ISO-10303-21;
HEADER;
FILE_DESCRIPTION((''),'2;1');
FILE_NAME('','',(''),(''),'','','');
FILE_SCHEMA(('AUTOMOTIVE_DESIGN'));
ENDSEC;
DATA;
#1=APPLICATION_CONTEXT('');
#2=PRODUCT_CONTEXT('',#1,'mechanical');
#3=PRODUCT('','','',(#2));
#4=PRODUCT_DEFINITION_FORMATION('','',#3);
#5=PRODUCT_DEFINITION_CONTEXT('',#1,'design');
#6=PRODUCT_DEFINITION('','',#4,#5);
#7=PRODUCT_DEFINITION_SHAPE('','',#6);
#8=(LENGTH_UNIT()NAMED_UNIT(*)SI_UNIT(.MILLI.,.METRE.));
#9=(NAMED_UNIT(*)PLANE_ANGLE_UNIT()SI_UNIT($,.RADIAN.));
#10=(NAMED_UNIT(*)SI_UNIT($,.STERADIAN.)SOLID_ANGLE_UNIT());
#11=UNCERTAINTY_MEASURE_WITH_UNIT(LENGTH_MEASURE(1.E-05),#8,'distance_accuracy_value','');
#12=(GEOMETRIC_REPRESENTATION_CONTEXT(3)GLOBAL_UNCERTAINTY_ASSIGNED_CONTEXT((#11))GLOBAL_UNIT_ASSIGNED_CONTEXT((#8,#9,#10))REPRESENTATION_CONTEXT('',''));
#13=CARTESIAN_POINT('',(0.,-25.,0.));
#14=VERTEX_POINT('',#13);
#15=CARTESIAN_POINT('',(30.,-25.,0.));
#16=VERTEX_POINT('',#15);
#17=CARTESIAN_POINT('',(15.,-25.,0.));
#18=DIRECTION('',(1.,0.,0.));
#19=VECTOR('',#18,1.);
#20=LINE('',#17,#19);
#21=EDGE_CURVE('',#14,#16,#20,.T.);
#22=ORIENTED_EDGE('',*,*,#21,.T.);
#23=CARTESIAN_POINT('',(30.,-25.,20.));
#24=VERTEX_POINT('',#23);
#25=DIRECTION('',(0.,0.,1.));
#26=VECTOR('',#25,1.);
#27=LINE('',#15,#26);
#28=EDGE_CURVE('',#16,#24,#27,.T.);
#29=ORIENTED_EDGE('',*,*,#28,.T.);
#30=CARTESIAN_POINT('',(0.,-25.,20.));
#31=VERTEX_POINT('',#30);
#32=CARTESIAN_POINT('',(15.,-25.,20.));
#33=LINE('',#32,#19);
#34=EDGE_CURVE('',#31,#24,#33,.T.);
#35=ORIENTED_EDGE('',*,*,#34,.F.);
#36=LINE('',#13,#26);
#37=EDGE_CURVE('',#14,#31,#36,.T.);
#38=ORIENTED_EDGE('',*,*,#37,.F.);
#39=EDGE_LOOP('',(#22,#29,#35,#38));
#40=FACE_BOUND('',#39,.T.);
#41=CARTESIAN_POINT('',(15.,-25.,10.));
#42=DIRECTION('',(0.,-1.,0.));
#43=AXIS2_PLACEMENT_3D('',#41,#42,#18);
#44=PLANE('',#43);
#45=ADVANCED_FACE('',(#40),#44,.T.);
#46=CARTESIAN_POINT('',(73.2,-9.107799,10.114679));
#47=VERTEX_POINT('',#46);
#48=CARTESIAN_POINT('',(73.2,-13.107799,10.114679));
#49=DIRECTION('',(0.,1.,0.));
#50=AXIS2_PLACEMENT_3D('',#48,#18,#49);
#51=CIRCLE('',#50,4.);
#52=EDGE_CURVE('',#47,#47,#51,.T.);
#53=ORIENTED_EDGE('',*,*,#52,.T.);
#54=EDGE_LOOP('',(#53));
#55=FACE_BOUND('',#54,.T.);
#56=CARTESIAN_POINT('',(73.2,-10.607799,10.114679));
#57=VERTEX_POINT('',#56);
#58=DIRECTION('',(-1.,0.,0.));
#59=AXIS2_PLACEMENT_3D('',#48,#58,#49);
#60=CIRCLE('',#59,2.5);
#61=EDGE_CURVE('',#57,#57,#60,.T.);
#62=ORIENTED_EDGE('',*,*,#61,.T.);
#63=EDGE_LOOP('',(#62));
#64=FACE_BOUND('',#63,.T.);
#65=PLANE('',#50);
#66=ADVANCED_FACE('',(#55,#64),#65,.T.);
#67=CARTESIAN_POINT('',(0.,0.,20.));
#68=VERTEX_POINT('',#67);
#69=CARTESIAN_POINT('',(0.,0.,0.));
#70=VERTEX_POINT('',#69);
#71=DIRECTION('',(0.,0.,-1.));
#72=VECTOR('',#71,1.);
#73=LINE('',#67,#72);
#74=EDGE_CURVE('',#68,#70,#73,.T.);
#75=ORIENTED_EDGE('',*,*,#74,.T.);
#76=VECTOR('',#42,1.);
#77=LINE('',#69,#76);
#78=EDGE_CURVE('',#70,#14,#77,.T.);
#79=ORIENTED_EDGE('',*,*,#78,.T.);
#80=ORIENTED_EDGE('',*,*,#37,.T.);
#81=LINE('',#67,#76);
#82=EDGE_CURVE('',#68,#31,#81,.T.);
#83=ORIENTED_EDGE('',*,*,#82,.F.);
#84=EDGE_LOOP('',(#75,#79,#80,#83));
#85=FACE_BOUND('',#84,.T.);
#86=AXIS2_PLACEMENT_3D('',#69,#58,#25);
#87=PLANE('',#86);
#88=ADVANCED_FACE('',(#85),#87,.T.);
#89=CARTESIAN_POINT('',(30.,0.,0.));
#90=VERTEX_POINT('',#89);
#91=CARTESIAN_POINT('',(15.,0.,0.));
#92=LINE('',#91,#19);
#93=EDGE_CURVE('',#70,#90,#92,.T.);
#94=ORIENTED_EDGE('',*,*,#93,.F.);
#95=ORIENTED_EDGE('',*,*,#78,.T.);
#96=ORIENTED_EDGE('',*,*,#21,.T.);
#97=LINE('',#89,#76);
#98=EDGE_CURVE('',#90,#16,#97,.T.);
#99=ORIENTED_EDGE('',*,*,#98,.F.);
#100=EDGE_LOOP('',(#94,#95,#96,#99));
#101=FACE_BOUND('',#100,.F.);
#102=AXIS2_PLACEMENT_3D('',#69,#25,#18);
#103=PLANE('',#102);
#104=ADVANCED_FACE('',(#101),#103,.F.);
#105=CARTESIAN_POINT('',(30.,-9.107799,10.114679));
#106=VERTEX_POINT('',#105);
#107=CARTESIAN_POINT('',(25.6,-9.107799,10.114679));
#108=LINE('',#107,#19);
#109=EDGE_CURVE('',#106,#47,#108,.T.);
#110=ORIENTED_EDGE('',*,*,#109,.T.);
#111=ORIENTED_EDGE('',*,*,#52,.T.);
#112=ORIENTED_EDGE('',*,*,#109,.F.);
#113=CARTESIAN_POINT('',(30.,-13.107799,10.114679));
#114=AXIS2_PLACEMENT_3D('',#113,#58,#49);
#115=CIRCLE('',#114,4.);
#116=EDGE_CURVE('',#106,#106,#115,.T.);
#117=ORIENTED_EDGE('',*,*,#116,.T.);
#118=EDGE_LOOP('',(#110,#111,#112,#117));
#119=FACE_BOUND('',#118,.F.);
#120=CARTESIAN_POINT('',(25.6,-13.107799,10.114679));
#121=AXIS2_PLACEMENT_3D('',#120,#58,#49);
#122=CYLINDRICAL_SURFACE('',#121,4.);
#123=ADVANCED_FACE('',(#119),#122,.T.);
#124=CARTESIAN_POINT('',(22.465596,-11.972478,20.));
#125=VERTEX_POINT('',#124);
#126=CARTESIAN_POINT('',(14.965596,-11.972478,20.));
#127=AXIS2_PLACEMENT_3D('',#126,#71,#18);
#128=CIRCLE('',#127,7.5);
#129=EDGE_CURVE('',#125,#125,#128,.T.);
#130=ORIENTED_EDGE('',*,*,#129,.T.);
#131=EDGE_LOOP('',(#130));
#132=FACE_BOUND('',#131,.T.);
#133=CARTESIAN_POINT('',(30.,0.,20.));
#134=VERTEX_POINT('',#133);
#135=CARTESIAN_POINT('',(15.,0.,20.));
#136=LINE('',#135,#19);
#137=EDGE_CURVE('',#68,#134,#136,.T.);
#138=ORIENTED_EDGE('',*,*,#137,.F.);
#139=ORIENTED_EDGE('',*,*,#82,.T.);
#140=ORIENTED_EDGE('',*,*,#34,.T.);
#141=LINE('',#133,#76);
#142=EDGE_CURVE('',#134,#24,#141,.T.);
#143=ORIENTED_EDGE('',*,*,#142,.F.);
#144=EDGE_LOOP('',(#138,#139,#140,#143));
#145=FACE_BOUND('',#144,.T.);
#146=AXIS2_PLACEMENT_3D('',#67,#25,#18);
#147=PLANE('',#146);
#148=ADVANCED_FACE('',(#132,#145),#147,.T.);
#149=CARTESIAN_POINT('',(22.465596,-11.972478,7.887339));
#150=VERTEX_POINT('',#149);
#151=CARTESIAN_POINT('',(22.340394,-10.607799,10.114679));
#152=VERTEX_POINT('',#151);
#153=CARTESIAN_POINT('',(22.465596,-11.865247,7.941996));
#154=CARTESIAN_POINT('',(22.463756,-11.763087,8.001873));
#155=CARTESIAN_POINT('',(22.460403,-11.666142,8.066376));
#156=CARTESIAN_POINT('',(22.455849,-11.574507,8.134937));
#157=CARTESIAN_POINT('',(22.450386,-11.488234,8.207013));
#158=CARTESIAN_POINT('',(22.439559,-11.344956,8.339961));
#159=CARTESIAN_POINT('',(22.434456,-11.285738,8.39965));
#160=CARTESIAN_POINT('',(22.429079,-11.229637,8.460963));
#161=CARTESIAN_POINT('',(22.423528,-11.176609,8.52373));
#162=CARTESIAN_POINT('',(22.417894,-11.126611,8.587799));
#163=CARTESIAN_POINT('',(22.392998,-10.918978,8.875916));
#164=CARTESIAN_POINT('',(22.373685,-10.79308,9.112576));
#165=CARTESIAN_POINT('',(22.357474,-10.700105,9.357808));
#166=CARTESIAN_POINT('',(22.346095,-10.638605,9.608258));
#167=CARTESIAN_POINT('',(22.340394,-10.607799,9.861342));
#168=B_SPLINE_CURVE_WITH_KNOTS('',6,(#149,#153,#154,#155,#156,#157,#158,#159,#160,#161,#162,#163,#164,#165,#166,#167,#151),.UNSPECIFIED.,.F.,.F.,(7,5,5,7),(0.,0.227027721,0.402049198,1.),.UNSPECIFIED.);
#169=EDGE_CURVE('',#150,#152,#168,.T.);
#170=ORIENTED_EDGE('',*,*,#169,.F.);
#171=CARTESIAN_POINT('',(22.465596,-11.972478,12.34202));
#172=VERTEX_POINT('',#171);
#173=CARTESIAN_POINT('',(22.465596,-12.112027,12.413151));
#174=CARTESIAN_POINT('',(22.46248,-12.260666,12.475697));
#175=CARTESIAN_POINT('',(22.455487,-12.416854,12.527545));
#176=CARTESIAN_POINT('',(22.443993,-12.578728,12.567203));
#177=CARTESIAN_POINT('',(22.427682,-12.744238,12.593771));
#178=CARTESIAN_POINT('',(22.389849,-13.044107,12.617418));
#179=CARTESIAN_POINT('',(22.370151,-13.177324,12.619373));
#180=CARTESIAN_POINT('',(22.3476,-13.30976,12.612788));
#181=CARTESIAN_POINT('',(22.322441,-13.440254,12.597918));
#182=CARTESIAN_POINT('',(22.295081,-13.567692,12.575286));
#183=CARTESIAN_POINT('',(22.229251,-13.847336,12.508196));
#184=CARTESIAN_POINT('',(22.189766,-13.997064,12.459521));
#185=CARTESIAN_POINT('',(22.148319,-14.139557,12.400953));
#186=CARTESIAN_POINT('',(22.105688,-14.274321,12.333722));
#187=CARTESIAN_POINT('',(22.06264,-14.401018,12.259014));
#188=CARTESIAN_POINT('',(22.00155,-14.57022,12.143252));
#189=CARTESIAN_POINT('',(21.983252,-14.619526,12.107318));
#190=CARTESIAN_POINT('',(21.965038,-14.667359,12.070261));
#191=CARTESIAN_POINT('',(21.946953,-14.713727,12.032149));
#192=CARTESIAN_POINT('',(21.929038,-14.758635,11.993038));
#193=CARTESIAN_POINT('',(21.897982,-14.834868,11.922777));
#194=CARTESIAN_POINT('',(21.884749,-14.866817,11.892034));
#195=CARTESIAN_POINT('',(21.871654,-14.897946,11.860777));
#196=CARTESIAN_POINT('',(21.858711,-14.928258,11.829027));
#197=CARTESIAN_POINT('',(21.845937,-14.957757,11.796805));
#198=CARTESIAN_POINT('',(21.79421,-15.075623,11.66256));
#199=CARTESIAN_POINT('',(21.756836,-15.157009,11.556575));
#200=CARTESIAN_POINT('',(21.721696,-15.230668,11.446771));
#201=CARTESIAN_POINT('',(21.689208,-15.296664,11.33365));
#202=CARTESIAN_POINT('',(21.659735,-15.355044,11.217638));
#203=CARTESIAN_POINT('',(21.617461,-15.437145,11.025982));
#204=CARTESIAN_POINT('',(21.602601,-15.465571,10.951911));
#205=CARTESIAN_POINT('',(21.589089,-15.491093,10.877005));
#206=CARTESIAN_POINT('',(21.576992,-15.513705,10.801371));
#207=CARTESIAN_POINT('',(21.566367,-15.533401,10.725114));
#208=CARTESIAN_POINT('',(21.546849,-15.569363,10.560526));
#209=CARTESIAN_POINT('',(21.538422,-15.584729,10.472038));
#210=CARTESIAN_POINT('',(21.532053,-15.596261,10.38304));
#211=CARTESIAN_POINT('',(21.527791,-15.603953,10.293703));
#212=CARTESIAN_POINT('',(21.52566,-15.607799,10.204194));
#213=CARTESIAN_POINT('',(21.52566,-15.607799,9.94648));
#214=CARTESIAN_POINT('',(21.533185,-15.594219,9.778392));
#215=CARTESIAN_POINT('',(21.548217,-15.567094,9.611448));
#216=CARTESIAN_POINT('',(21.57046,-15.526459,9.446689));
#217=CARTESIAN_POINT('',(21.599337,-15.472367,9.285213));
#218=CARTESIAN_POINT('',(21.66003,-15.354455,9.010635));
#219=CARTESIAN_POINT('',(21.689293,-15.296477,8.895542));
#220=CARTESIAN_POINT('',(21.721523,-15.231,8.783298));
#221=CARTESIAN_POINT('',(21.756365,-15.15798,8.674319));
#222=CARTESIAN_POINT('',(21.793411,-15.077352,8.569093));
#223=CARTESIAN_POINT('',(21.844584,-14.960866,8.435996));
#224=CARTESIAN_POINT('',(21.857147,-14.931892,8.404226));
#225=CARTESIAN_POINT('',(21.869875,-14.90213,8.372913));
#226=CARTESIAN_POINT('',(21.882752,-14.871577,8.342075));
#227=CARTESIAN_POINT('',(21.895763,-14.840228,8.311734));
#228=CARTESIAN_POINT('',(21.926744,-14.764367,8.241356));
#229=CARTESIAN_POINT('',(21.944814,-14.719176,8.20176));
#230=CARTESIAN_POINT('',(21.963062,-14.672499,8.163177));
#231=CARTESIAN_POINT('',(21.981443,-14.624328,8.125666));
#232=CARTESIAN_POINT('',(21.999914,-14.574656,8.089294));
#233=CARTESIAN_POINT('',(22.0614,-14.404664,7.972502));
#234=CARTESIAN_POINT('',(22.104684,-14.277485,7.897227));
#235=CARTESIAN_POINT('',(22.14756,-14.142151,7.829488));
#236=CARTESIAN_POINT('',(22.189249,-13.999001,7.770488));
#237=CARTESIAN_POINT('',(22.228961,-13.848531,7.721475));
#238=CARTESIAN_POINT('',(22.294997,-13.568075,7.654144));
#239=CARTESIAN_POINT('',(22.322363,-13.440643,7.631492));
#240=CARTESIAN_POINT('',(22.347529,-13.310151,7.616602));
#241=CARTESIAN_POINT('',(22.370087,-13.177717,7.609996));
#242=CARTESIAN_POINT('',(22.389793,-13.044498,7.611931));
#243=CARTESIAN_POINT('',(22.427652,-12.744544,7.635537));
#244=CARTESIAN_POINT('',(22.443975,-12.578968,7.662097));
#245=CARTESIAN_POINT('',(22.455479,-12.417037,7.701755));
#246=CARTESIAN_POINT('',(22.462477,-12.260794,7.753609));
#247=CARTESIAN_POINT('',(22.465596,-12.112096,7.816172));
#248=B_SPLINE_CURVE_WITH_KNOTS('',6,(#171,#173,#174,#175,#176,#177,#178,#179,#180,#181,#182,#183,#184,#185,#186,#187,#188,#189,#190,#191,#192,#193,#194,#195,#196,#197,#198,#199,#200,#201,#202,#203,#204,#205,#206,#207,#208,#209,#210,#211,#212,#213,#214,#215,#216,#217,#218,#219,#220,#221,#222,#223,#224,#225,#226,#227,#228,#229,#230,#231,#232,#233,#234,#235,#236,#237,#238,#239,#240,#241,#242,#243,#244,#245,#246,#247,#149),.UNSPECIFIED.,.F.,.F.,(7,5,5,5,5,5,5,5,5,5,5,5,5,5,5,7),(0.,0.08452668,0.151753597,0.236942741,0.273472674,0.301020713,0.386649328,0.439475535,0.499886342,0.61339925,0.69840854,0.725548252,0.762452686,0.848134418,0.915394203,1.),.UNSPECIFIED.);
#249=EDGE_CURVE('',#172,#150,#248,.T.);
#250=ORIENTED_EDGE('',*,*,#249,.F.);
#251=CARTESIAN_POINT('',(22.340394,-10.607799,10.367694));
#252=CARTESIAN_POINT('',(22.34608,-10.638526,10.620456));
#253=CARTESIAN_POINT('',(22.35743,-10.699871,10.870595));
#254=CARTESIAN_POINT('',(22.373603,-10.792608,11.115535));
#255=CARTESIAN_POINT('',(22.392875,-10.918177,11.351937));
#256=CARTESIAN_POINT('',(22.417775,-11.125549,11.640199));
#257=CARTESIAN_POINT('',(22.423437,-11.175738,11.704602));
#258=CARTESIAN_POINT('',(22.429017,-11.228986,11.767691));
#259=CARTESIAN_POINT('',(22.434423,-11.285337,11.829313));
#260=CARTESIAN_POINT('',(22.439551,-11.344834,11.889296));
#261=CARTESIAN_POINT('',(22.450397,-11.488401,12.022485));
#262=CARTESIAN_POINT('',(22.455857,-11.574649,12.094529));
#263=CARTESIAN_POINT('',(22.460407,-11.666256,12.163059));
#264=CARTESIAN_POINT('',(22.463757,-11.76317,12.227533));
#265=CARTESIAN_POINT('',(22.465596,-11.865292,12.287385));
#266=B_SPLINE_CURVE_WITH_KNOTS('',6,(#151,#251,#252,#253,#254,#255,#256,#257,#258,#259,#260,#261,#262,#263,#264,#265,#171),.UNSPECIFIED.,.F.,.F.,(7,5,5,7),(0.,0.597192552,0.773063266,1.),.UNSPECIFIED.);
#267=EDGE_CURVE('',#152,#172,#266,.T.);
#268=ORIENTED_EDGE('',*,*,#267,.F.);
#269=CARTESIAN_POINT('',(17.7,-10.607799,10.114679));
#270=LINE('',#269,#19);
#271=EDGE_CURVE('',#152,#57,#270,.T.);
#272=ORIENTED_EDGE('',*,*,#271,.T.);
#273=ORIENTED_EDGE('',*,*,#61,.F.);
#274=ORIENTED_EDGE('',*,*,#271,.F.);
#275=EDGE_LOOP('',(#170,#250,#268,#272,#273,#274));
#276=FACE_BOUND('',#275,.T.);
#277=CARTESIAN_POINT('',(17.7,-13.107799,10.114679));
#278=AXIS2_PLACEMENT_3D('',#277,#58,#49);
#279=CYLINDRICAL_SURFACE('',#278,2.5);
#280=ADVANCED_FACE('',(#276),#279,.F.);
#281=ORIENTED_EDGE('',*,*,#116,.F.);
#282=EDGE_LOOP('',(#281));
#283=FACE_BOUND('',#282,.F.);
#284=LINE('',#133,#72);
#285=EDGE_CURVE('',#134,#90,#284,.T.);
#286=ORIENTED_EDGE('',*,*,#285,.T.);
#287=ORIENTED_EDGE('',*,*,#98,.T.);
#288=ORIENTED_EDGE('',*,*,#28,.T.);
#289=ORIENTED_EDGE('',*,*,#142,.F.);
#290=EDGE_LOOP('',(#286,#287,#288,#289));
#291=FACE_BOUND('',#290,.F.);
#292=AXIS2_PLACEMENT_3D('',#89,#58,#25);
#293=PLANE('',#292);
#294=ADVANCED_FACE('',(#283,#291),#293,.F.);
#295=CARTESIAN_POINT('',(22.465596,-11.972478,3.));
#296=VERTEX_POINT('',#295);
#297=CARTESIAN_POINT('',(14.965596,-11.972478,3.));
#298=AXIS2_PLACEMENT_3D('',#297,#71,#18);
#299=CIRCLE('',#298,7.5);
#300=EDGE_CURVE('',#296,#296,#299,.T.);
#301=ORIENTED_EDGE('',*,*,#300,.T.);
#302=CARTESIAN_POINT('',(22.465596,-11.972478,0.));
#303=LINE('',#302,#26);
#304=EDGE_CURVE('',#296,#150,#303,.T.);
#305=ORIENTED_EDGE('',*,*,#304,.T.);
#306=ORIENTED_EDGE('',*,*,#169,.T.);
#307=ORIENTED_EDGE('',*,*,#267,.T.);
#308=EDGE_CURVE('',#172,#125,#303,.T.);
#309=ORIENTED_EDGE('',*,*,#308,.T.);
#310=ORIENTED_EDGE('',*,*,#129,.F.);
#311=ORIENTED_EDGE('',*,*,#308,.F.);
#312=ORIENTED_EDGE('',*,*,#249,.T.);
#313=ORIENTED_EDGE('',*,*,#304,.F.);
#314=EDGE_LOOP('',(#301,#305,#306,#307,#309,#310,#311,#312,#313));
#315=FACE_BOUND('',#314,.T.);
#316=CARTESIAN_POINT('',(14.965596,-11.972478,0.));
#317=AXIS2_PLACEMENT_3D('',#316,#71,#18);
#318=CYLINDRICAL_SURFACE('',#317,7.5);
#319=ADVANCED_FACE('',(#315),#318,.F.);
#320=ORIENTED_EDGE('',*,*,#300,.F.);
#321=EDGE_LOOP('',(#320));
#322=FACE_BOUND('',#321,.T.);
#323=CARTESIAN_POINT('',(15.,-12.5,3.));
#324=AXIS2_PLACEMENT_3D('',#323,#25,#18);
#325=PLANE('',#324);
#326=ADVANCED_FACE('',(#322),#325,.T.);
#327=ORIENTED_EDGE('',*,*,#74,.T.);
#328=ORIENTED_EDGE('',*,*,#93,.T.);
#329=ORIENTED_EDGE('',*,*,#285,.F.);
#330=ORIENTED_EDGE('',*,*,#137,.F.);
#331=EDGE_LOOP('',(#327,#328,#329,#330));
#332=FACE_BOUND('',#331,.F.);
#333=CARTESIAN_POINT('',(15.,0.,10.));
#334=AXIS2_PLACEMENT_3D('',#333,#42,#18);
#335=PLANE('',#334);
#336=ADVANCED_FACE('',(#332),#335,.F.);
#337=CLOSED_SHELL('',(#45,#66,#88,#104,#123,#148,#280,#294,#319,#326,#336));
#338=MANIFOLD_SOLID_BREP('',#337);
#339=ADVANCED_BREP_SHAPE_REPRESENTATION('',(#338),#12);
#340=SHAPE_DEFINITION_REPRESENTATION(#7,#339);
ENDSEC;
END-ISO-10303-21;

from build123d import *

# Parameters (mm, degrees)
F0_W     = 30
F0_H     = 20
F1_DEPTH = 25
F2_R     = 7.5
F3_DEPTH = 26
F4_W     = 30
F4_H     = 25
F5_DEPTH = 3
F8_START = 25.6
F7_R     = 4
F8_DEPTH = 47.6
F9_START = 17.7
F6_R     = 2.5
F9_DEPTH = 70.5


with BuildPart() as f1:
    # F0 (on Front) → F1 (new body)
    with BuildSketch(Plane.XZ):
        with Locations((15, 10)):
            Rectangle(F0_W, F0_H)
    extrude(amount=F1_DEPTH)

    # F2 (on Top) → F3 (cut)
    with BuildSketch(Plane.XY):
        with Locations((14.9655956775, -11.9724776596)):
            Circle(F2_R)
    extrude(amount=F3_DEPTH, mode=Mode.SUBTRACT)

    # F4 (on Top) → F5 (join)
    with BuildSketch(Plane.XY):
        with Locations((15, -12.5)):
            Rectangle(F4_W, F4_H)
    extrude(amount=F5_DEPTH)

    # F7 (on Right) → F8 (join)
    with BuildSketch(Plane.YZ.offset(F8_START)):
        with Locations((-13.1077989936, 10.114679113)):
            Circle(F7_R)
    extrude(amount=F8_DEPTH)

    # F6 (on Right) → F9 (cut)
    with BuildSketch(Plane.YZ.offset(F9_START)):
        with Locations((-13.1077989936, 10.114679113)):
            Circle(F6_R)
    extrude(amount=F9_DEPTH, mode=Mode.SUBTRACT)


solid = f1.part
